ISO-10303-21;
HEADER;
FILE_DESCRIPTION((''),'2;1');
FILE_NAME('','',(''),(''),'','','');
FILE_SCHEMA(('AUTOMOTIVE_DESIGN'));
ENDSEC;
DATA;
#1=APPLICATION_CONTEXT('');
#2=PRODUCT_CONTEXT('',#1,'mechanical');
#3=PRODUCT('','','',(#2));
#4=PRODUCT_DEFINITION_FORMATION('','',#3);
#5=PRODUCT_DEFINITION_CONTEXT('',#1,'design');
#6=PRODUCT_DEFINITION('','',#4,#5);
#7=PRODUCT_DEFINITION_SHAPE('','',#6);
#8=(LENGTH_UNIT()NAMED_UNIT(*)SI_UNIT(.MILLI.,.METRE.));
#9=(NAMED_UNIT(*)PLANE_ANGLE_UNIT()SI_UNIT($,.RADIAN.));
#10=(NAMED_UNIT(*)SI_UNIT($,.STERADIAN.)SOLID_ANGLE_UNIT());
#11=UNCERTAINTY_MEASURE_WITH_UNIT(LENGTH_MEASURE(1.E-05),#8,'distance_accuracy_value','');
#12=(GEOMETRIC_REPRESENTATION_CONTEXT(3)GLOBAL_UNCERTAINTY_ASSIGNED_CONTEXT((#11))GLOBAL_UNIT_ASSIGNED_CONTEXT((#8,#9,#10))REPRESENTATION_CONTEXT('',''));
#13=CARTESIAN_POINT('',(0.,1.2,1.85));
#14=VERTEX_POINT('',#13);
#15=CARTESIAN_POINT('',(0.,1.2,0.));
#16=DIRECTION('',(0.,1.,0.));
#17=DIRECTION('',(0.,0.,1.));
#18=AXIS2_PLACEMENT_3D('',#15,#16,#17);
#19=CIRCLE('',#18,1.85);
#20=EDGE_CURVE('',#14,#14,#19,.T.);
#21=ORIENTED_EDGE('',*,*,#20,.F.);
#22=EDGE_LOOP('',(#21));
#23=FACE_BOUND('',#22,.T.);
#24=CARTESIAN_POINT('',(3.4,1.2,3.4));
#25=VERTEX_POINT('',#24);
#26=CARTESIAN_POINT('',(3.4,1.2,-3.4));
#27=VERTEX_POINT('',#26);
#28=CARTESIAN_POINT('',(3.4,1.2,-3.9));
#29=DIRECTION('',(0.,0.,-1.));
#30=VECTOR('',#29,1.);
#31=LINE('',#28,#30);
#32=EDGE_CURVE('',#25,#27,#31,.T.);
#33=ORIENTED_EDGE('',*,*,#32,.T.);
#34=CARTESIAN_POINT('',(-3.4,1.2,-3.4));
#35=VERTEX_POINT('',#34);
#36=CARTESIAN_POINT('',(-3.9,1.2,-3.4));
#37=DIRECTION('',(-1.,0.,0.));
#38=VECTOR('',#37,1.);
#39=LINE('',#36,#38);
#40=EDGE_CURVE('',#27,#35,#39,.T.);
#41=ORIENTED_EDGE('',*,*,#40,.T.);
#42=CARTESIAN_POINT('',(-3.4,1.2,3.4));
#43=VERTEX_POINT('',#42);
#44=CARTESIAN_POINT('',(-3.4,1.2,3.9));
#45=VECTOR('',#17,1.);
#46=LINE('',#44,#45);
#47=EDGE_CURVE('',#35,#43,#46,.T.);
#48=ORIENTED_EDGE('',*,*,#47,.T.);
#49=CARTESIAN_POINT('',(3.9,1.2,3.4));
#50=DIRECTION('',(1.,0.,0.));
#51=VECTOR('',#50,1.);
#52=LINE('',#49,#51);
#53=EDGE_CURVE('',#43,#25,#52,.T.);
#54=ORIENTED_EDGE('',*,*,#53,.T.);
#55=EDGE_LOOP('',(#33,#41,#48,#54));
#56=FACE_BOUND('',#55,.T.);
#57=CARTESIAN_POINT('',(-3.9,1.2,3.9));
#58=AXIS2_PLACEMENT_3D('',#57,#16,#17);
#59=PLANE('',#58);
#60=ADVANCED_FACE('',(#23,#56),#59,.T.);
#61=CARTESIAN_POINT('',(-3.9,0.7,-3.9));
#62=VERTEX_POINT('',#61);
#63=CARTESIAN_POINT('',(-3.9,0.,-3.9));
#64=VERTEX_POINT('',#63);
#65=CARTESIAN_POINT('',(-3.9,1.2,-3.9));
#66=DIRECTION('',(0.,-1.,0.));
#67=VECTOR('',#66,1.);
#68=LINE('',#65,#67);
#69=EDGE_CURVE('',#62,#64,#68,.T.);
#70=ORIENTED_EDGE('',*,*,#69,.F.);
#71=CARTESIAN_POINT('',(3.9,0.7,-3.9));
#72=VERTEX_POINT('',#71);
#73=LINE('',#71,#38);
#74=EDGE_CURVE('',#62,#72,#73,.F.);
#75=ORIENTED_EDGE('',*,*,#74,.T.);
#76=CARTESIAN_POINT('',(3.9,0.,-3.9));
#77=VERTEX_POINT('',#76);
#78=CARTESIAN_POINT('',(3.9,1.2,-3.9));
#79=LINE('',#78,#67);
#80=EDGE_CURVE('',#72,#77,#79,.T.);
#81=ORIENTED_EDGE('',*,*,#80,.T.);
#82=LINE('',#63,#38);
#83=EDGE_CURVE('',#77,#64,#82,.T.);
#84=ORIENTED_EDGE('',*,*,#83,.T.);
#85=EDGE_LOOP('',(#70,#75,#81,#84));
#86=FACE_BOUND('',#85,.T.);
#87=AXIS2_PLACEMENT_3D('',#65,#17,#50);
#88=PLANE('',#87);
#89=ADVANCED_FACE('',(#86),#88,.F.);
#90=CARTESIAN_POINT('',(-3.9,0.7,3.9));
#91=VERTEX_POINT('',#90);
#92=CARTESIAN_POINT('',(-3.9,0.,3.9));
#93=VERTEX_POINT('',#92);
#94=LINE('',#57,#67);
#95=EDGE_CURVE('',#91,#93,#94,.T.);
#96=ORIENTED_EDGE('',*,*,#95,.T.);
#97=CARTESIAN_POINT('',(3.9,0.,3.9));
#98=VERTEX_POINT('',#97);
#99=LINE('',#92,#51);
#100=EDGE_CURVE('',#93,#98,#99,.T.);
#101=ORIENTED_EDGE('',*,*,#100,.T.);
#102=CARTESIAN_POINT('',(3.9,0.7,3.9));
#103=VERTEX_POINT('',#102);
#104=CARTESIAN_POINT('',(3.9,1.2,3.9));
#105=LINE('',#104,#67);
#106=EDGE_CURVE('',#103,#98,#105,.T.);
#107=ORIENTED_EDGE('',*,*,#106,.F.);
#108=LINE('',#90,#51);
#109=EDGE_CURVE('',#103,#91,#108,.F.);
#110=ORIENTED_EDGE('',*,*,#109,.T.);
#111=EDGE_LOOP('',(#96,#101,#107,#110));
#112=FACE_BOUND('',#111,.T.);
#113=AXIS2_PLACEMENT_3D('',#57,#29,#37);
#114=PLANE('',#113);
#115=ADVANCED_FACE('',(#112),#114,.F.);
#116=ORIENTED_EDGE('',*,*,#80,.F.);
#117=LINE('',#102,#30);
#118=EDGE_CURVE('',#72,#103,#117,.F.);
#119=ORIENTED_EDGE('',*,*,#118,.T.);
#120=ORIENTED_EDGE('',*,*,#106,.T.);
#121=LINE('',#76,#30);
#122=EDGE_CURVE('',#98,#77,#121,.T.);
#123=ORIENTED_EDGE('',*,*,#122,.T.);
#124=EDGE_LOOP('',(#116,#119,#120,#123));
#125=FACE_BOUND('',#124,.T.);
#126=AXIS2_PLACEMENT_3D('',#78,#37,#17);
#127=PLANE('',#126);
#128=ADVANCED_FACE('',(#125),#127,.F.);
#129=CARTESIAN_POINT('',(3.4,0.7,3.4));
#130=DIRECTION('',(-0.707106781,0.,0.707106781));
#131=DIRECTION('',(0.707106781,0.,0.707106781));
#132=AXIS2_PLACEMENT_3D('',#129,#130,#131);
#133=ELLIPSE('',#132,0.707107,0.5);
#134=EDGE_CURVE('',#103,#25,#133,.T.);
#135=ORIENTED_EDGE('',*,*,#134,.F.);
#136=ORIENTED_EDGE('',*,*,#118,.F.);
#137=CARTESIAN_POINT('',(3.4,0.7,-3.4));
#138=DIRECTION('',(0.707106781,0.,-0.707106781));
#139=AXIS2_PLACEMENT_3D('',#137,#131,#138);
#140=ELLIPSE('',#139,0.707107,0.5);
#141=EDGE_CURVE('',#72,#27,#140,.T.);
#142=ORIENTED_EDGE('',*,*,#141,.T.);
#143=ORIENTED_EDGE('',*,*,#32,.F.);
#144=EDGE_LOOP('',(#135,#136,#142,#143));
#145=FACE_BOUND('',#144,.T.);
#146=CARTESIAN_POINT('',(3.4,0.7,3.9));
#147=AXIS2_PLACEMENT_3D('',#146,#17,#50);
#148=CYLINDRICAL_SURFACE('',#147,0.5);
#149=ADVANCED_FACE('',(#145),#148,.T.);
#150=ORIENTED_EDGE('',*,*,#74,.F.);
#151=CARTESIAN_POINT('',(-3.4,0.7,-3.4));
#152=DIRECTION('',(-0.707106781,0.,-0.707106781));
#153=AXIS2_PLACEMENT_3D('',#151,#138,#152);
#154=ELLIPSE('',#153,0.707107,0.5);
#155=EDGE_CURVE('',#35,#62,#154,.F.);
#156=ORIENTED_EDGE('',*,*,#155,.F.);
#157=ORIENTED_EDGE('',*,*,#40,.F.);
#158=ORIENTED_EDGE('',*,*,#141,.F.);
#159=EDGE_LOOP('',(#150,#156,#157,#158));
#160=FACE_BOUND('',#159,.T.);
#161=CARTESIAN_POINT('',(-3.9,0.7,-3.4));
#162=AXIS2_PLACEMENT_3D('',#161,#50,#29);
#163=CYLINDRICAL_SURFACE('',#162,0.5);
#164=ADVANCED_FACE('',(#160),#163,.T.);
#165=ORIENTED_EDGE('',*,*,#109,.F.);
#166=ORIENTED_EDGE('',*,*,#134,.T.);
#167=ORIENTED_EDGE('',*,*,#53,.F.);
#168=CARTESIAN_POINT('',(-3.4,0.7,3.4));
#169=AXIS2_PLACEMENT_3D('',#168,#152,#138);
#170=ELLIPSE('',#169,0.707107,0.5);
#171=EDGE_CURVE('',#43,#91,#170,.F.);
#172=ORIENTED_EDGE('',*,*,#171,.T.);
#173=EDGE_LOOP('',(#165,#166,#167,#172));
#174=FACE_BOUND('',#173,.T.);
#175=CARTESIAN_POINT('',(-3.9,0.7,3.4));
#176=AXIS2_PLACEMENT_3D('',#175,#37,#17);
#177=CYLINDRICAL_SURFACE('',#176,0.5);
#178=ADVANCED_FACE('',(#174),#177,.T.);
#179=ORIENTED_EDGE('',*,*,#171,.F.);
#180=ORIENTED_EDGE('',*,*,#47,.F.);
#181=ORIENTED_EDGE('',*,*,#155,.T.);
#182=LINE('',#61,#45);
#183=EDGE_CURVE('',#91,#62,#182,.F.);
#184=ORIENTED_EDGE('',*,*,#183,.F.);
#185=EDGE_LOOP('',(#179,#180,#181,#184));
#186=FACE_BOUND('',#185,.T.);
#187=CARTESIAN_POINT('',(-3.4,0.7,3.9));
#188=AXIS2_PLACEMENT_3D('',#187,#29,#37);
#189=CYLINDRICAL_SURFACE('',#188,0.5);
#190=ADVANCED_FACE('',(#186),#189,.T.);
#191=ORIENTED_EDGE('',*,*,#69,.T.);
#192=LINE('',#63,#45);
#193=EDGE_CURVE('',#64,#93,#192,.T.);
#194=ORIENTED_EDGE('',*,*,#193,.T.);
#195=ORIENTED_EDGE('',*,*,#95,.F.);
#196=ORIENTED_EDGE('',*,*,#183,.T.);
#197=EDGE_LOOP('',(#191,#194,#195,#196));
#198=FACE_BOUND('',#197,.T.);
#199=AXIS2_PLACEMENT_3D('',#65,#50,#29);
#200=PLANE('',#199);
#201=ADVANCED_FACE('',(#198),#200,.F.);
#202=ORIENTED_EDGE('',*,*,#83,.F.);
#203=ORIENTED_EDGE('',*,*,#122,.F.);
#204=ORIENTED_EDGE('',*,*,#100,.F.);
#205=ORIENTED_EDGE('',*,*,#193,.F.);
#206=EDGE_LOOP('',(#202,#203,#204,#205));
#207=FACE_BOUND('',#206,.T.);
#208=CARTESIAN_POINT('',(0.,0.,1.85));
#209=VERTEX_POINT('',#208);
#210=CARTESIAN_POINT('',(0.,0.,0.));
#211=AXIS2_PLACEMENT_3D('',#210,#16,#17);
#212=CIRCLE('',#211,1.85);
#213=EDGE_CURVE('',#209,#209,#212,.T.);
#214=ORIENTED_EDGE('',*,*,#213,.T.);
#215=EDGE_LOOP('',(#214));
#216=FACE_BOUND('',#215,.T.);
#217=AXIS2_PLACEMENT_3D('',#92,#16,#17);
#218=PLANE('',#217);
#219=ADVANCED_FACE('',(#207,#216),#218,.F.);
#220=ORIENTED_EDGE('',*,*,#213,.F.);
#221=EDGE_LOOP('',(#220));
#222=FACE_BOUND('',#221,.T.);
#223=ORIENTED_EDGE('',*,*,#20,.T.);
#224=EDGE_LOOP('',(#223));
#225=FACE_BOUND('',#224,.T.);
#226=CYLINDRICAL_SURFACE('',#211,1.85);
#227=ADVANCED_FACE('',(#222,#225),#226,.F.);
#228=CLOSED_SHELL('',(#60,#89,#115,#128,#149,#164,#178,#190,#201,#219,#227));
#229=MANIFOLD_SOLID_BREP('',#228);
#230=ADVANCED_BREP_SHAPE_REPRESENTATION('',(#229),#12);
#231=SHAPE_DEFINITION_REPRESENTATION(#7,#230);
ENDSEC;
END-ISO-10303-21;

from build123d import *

# Parameters (mm, degrees)
SKETCH_1_W          = 7.8
SKETCH_1_H          = 7.8
EXTRUDE_1_DEPTH     = 1.2
SKETCH_2_R          = 1.85
CUT_EXTRUDE_1_DEPTH = 1.2
FILLET_1_R          = 0.5


with BuildPart() as part:
    # 草图1 → 拉伸1 (new body)
    with BuildSketch(Plane(origin=(0, 0, 0), x_dir=(1, 0, 0), z_dir=(0, 1, 0))):
        Rectangle(SKETCH_1_W, SKETCH_1_H)
    extrude(amount=EXTRUDE_1_DEPTH)

    # 草图2 → 切除-拉伸1 (cut)
    with BuildSketch(Plane(origin=(0, 1.2, 0), x_dir=(-1, 0, 0), z_dir=(0, 1, 0))):
        with Locations(Location((0, 0, 0), (0, 0, 90))):
            Circle(SKETCH_2_R)
    extrude(amount=-CUT_EXTRUDE_1_DEPTH, mode=Mode.SUBTRACT)

    # 圆角1
    fillet_1_edges = [part.edges().sort_by_distance(p)[0] for p in [
        (3.9, 1.2, 0),
        (0, 1.2, -3.9),
        (-3.9, 1.2, 0),
        (0, 1.2, 3.9),
    ]]
    fillet(fillet_1_edges, radius=FILLET_1_R)


solid = part.part
